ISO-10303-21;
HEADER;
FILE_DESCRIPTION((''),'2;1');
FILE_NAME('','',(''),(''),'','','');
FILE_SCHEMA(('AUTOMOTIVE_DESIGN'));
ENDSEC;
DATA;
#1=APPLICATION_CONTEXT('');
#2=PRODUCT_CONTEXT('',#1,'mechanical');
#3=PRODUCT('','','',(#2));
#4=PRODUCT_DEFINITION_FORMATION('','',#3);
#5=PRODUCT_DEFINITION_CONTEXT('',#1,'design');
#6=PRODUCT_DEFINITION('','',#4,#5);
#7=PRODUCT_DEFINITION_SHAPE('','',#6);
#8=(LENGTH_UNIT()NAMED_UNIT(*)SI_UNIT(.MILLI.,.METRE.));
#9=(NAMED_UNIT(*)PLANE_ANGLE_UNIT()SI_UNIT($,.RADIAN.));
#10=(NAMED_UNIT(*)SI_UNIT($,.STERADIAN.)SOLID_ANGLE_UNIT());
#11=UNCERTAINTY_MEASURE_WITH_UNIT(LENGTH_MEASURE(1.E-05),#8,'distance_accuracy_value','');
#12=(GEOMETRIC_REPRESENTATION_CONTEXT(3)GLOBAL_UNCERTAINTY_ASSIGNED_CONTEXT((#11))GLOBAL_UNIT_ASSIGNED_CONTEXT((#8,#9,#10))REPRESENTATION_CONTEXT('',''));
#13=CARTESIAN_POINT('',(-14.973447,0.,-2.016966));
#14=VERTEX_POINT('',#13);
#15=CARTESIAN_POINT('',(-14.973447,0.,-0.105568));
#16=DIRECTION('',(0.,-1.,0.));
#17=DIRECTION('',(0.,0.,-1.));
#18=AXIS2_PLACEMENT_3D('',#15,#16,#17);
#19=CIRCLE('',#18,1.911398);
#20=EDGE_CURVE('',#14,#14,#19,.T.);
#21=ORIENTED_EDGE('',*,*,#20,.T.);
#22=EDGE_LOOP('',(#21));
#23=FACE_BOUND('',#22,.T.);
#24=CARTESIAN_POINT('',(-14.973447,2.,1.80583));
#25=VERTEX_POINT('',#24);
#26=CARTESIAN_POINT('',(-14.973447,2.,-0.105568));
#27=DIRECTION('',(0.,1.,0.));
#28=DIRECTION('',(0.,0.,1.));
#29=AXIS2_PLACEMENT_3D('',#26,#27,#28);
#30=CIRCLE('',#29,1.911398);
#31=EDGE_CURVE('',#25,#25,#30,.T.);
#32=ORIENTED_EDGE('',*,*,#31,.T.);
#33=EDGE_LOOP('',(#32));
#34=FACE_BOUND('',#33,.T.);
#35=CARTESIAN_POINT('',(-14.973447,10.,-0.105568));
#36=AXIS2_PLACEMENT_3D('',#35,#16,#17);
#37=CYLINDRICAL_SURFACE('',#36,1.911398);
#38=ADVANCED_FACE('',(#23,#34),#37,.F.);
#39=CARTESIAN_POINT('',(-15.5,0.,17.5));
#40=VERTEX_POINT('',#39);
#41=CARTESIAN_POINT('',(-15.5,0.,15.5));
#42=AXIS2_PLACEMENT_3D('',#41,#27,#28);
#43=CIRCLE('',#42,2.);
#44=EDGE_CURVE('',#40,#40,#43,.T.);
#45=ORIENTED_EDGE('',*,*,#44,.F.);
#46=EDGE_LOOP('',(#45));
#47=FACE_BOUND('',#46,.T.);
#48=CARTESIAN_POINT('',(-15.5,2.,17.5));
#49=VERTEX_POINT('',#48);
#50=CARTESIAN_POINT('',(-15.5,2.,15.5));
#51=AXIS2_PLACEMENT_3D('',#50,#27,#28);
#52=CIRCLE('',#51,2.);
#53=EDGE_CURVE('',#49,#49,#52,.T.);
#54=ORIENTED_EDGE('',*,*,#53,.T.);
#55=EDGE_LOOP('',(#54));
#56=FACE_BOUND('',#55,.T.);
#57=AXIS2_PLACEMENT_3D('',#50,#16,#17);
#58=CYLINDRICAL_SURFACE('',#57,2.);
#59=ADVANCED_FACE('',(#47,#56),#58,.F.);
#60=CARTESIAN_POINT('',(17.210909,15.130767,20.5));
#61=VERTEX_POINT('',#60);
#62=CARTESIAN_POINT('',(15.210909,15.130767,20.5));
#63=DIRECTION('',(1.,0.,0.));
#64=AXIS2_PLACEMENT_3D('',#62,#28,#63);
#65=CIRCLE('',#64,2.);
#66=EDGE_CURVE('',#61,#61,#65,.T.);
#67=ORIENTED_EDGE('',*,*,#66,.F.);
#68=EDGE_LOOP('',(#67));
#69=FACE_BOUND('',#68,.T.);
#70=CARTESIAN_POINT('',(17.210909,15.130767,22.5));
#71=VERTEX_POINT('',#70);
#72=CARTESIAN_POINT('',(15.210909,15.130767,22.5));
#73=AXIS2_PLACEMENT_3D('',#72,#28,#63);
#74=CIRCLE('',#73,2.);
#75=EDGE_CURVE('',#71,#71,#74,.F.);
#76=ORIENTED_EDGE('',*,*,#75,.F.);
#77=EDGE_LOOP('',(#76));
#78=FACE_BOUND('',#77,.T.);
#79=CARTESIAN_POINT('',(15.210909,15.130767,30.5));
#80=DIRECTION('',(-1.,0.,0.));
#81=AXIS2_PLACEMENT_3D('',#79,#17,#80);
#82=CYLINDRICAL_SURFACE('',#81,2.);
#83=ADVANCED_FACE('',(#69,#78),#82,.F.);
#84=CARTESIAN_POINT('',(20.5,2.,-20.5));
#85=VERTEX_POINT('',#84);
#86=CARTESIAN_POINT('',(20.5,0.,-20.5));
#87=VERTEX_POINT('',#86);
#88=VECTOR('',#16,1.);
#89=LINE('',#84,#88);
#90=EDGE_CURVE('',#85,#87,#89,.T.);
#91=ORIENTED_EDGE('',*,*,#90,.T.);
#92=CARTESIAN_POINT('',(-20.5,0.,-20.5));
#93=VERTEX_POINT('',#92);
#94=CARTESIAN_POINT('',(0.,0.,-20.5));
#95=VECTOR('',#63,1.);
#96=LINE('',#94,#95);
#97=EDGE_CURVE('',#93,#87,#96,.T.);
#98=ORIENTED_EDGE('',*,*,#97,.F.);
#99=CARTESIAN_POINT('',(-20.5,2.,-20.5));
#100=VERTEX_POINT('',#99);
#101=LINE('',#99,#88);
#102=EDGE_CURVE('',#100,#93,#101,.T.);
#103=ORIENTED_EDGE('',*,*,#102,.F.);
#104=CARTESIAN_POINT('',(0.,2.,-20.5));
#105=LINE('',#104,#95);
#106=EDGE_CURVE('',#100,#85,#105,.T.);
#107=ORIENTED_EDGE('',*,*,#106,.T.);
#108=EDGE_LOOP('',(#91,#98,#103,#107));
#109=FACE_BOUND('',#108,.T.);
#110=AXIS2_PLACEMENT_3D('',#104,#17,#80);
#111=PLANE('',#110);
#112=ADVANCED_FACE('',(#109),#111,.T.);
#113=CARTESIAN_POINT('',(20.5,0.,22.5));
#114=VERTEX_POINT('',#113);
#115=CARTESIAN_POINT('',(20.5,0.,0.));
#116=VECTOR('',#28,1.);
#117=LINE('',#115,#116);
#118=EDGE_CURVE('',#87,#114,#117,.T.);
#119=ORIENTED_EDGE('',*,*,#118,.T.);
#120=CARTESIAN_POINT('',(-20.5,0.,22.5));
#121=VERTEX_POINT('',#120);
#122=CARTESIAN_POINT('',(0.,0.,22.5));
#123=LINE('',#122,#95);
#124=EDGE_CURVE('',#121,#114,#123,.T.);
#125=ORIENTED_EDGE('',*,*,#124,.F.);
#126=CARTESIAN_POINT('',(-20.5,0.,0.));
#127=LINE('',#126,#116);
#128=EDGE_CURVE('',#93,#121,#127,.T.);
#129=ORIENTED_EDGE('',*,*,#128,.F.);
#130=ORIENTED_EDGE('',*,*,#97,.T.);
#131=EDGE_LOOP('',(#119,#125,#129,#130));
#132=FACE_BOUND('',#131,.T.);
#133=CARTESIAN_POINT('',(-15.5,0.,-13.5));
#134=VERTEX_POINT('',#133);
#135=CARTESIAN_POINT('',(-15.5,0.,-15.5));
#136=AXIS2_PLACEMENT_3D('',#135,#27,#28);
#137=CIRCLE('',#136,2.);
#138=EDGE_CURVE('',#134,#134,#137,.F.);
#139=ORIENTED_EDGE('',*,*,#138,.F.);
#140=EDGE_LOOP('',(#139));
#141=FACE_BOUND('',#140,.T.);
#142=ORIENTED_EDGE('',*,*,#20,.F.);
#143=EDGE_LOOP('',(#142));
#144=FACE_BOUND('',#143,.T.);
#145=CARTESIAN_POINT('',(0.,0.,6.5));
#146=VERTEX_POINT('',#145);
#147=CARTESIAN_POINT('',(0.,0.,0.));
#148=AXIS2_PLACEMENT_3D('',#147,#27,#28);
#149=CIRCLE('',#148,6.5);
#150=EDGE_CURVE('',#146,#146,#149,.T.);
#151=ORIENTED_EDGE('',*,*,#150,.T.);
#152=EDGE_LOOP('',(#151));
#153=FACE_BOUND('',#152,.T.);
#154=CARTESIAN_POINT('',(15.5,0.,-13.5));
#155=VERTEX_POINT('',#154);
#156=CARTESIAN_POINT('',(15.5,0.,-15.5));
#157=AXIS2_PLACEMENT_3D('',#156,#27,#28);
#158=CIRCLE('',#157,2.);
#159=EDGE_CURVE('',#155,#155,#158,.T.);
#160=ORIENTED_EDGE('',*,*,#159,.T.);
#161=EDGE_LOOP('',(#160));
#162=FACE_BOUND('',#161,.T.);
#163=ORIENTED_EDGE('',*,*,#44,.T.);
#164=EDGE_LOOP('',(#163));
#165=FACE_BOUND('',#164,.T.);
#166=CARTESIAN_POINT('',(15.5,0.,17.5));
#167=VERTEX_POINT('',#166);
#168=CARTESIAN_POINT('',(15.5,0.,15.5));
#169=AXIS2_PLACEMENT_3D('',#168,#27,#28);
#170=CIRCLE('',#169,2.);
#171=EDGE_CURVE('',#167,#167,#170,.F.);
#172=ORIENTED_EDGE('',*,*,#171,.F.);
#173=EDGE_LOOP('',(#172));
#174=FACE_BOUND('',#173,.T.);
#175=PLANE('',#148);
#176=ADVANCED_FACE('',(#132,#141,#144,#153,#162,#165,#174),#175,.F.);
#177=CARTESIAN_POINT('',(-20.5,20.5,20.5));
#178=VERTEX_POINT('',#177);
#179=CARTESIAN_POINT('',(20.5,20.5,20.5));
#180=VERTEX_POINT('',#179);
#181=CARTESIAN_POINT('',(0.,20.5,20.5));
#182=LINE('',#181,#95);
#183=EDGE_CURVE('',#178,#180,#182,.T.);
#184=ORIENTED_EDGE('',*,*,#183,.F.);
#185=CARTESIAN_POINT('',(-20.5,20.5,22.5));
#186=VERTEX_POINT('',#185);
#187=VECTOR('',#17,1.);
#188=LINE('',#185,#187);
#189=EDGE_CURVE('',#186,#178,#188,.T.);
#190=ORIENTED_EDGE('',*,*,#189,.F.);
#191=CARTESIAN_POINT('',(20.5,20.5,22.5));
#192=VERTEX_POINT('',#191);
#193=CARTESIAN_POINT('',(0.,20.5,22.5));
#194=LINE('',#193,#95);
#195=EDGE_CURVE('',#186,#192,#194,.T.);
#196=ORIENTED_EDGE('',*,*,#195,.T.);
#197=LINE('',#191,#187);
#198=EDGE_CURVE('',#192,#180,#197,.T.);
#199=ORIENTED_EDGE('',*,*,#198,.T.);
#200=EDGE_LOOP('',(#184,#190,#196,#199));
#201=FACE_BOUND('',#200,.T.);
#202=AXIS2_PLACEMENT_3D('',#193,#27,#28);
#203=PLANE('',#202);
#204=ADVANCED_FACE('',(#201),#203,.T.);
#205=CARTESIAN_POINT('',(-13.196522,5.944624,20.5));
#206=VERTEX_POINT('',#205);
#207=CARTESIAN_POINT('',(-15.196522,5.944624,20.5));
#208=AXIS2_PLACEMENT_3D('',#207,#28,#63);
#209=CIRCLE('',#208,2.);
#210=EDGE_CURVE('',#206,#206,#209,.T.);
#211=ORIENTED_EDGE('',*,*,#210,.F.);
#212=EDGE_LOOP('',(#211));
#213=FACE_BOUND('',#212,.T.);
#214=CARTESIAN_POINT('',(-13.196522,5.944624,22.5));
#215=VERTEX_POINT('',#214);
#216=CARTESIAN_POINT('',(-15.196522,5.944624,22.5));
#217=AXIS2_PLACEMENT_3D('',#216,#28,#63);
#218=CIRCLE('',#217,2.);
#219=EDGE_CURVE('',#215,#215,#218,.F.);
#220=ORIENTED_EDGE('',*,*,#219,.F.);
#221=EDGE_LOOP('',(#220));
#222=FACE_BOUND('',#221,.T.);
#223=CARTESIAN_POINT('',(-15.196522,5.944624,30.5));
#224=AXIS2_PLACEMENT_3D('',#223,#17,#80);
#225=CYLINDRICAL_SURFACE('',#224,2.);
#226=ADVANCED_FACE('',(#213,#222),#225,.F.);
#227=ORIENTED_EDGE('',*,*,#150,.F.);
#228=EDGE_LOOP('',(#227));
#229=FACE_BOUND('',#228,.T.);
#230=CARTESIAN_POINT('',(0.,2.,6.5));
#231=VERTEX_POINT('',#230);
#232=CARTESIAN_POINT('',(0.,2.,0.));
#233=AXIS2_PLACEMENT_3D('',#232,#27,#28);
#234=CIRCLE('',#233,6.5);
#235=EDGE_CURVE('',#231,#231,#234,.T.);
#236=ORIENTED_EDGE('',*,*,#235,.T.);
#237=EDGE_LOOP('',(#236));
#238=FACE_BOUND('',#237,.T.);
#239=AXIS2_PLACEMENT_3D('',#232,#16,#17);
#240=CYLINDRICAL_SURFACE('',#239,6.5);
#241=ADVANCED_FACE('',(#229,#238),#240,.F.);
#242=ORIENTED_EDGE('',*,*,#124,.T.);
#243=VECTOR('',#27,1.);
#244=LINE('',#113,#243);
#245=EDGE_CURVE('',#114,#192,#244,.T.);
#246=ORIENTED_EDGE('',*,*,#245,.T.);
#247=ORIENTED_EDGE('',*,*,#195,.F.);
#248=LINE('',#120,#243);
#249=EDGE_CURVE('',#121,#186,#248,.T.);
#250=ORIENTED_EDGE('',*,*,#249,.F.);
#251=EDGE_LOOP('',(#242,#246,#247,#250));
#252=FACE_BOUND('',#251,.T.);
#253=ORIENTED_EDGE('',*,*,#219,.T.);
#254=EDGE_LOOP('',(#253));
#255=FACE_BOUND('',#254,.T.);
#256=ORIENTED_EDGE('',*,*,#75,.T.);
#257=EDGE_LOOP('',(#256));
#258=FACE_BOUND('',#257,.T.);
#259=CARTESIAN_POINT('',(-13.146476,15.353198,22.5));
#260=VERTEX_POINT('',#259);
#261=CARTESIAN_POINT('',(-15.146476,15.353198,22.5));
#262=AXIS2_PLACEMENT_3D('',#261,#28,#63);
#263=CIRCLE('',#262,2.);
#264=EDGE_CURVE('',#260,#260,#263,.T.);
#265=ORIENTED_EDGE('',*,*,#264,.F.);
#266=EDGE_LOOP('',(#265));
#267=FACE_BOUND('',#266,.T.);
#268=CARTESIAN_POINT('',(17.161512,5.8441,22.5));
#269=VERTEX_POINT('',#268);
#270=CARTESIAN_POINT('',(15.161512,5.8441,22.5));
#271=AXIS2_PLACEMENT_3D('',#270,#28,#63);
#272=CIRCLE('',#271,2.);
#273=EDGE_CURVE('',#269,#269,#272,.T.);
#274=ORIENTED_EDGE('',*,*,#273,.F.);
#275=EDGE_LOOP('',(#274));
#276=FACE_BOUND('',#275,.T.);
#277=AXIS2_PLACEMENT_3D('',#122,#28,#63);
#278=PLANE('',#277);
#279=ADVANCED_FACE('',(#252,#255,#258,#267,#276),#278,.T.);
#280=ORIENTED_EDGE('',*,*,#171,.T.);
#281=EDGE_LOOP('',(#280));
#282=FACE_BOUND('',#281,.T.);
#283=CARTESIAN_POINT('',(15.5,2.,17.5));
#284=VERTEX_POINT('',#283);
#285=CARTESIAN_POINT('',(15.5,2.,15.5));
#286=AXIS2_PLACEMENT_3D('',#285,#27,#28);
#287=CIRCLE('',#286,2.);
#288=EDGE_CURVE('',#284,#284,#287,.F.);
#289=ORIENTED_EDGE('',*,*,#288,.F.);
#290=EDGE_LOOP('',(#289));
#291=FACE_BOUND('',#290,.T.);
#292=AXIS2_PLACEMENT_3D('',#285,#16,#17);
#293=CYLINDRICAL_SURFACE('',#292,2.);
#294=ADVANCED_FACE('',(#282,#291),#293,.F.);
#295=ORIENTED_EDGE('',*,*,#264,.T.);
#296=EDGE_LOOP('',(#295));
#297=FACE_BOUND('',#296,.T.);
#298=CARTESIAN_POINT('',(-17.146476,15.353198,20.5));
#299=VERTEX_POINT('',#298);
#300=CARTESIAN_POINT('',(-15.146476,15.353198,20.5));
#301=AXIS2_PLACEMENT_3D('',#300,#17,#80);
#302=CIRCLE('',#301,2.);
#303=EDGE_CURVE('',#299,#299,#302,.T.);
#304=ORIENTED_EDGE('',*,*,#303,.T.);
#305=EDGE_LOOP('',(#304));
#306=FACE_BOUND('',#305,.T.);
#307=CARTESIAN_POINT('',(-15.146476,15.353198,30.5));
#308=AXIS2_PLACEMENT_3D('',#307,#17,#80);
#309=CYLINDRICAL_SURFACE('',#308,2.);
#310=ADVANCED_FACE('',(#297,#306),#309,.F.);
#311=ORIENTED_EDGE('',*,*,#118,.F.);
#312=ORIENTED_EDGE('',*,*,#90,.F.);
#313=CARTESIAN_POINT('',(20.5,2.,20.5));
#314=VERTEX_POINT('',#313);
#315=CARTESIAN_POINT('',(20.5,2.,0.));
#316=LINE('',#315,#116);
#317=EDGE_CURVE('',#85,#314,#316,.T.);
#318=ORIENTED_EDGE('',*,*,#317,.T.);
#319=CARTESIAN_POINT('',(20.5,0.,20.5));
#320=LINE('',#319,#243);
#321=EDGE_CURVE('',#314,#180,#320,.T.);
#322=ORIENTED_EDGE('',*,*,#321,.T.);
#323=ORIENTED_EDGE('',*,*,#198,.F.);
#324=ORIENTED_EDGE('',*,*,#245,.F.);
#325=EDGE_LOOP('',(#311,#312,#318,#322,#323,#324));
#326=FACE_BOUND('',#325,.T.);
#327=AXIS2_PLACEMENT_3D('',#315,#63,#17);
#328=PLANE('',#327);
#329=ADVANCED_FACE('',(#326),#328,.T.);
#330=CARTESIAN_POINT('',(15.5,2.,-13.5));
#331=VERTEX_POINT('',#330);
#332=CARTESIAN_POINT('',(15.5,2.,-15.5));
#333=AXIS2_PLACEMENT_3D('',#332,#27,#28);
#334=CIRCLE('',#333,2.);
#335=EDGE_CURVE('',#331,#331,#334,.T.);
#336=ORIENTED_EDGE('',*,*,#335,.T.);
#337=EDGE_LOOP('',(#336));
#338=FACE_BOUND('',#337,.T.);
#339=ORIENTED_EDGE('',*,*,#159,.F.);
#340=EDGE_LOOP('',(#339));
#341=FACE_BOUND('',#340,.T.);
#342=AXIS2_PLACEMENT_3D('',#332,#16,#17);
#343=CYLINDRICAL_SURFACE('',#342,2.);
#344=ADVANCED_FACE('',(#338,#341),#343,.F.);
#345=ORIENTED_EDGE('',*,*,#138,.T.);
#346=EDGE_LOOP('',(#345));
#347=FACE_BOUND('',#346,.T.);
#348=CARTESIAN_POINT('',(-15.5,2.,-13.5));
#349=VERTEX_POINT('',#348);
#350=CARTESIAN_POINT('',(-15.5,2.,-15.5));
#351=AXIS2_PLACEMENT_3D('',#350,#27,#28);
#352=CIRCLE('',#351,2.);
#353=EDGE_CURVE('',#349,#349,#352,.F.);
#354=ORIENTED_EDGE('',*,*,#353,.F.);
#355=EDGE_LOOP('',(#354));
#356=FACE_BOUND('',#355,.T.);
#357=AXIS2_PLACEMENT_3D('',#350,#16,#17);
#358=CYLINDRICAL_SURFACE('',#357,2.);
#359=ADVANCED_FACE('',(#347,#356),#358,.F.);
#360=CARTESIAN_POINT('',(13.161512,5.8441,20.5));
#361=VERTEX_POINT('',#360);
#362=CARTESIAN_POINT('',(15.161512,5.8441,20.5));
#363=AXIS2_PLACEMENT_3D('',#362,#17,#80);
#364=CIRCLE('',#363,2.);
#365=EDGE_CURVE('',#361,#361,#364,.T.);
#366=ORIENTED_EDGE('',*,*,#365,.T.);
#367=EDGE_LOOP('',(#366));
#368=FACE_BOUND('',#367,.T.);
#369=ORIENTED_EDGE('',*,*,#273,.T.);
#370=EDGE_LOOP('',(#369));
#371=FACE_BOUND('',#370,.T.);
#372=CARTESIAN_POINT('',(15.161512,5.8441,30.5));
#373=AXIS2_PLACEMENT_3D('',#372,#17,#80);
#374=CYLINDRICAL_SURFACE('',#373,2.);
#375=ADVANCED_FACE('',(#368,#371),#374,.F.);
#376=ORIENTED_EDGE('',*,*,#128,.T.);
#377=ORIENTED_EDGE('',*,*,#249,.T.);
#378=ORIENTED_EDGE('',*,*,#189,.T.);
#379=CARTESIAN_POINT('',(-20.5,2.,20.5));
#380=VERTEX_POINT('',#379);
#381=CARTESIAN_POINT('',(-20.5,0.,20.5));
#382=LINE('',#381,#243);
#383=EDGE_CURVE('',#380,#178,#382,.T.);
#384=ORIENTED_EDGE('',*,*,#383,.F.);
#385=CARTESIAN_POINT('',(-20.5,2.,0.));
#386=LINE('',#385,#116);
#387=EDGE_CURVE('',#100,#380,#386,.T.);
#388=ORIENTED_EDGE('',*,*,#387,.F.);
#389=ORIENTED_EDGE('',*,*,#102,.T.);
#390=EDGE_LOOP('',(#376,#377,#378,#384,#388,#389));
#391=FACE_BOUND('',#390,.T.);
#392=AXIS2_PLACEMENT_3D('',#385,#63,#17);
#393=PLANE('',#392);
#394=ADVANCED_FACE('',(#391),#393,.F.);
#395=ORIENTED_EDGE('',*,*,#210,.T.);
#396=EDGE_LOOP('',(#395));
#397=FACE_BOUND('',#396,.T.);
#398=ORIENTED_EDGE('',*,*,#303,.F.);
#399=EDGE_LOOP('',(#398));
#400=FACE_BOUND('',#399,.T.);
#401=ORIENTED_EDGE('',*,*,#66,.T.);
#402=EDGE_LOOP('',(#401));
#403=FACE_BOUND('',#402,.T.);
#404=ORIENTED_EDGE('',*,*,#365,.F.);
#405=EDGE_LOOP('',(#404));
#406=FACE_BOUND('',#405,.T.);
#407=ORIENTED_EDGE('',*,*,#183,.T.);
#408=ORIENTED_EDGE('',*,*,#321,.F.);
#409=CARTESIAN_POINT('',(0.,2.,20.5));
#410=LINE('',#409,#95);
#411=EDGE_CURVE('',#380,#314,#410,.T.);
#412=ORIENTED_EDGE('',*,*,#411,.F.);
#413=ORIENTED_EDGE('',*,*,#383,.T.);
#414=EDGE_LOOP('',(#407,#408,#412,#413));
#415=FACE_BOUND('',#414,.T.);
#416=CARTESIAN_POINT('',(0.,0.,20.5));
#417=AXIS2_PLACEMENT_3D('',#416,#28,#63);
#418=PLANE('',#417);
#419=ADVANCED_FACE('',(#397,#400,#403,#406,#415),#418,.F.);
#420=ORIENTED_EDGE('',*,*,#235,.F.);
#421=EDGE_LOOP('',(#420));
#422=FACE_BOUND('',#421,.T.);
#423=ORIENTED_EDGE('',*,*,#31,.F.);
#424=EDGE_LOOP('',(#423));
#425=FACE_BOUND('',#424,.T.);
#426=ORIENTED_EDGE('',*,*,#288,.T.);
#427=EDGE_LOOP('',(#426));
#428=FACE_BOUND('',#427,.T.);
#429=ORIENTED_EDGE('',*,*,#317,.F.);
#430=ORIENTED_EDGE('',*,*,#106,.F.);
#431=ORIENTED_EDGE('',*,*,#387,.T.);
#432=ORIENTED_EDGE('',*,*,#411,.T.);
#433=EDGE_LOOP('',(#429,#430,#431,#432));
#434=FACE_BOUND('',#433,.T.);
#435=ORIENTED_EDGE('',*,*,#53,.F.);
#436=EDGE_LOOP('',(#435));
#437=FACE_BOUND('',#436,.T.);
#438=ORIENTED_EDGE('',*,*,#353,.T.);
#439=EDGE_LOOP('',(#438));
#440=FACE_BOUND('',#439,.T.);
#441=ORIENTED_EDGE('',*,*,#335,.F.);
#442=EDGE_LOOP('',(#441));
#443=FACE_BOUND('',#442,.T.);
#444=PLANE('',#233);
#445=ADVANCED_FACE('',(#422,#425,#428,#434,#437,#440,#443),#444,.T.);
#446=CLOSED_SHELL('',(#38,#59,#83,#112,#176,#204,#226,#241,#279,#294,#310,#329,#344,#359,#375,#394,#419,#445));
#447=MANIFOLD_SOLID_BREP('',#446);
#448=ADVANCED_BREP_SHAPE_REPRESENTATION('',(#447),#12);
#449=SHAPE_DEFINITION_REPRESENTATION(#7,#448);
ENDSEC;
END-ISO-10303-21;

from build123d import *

# Parameters (mm, degrees)
SKETCH1_W           = 41
SKETCH1_H           = 41
SKETCH1_R           = 2
SKETCH1_R_2         = 6.5
BOSS_EXTRUDE1_DEPTH = 2
SKETCH2_W           = 41
SKETCH2_H           = 20.5
BOSS_EXTRUDE2_DEPTH = 2
SKETCH3_R           = 2
CUT_EXTRUDE1_DEPTH  = 10
SKETCH6_R           = 1.911397566
CUT_EXTRUDE4_DEPTH  = 10


with BuildPart() as part:
    # Sketch1 → Boss-Extrude1 (new body)
    with BuildSketch(Plane(origin=(0, 0, 0), x_dir=(1, 0, 0), z_dir=(0, 1, 0))):
        Rectangle(SKETCH1_W, SKETCH1_H)
        with Locations(Location((-15.5, -15.5, 0), (0, 0, 270))):
            Circle(SKETCH1_R, mode=Mode.SUBTRACT)
        with Locations(Location((-15.5, 15.5, 0), (0, 0, 270))):
            Circle(SKETCH1_R, mode=Mode.SUBTRACT)
        with Locations(Location((15.5, 15.5, 0), (0, 0, 270))):
            Circle(SKETCH1_R, mode=Mode.SUBTRACT)
        with Locations(Location((0, 0, 0), (0, 0, 270))):
            Circle(SKETCH1_R_2, mode=Mode.SUBTRACT)
        with Locations(Location((15.5, -15.5, 0), (0, 0, 270))):
            Circle(SKETCH1_R, mode=Mode.SUBTRACT)
    extrude(amount=BOSS_EXTRUDE1_DEPTH)

    # Sketch2 → Boss-Extrude2 (add)
    with BuildSketch(Plane.XY.offset(20.5)):
        with Locations((0, 10.25)):
            Rectangle(SKETCH2_W, SKETCH2_H)
    extrude(amount=BOSS_EXTRUDE2_DEPTH)

    # Sketch3 → Cut-Extrude1 (cut)
    with BuildSketch(Plane(origin=(0, 0, 20.5), x_dir=(-1, 0, 0), z_dir=(0, 0, -1))):
        with Locations((-15.161511711, 5.844100373)):
            Circle(SKETCH3_R)
        with Locations((15.146476182, 15.353198296)):
            Circle(SKETCH3_R)
        with Locations(Location((-15.210908875, 15.130767232, 0), (0, 0, 180))):
            Circle(SKETCH3_R)
        with Locations(Location((15.196521792, 5.944623662, 0), (0, 0, 180))):
            Circle(SKETCH3_R)
    extrude(amount=-CUT_EXTRUDE1_DEPTH, mode=Mode.SUBTRACT)

    # Sketch6 → Cut-Extrude4 (cut)
    with BuildSketch(Plane(origin=(0, 0, 0), x_dir=(-1, 0, 0), z_dir=(0, -1, 0))):
        with Locations(Location((14.973447389, 0.105568023, 0), (0, 0, 90))):
            Circle(SKETCH6_R)
    extrude(amount=-CUT_EXTRUDE4_DEPTH, mode=Mode.SUBTRACT)


solid = part.part
